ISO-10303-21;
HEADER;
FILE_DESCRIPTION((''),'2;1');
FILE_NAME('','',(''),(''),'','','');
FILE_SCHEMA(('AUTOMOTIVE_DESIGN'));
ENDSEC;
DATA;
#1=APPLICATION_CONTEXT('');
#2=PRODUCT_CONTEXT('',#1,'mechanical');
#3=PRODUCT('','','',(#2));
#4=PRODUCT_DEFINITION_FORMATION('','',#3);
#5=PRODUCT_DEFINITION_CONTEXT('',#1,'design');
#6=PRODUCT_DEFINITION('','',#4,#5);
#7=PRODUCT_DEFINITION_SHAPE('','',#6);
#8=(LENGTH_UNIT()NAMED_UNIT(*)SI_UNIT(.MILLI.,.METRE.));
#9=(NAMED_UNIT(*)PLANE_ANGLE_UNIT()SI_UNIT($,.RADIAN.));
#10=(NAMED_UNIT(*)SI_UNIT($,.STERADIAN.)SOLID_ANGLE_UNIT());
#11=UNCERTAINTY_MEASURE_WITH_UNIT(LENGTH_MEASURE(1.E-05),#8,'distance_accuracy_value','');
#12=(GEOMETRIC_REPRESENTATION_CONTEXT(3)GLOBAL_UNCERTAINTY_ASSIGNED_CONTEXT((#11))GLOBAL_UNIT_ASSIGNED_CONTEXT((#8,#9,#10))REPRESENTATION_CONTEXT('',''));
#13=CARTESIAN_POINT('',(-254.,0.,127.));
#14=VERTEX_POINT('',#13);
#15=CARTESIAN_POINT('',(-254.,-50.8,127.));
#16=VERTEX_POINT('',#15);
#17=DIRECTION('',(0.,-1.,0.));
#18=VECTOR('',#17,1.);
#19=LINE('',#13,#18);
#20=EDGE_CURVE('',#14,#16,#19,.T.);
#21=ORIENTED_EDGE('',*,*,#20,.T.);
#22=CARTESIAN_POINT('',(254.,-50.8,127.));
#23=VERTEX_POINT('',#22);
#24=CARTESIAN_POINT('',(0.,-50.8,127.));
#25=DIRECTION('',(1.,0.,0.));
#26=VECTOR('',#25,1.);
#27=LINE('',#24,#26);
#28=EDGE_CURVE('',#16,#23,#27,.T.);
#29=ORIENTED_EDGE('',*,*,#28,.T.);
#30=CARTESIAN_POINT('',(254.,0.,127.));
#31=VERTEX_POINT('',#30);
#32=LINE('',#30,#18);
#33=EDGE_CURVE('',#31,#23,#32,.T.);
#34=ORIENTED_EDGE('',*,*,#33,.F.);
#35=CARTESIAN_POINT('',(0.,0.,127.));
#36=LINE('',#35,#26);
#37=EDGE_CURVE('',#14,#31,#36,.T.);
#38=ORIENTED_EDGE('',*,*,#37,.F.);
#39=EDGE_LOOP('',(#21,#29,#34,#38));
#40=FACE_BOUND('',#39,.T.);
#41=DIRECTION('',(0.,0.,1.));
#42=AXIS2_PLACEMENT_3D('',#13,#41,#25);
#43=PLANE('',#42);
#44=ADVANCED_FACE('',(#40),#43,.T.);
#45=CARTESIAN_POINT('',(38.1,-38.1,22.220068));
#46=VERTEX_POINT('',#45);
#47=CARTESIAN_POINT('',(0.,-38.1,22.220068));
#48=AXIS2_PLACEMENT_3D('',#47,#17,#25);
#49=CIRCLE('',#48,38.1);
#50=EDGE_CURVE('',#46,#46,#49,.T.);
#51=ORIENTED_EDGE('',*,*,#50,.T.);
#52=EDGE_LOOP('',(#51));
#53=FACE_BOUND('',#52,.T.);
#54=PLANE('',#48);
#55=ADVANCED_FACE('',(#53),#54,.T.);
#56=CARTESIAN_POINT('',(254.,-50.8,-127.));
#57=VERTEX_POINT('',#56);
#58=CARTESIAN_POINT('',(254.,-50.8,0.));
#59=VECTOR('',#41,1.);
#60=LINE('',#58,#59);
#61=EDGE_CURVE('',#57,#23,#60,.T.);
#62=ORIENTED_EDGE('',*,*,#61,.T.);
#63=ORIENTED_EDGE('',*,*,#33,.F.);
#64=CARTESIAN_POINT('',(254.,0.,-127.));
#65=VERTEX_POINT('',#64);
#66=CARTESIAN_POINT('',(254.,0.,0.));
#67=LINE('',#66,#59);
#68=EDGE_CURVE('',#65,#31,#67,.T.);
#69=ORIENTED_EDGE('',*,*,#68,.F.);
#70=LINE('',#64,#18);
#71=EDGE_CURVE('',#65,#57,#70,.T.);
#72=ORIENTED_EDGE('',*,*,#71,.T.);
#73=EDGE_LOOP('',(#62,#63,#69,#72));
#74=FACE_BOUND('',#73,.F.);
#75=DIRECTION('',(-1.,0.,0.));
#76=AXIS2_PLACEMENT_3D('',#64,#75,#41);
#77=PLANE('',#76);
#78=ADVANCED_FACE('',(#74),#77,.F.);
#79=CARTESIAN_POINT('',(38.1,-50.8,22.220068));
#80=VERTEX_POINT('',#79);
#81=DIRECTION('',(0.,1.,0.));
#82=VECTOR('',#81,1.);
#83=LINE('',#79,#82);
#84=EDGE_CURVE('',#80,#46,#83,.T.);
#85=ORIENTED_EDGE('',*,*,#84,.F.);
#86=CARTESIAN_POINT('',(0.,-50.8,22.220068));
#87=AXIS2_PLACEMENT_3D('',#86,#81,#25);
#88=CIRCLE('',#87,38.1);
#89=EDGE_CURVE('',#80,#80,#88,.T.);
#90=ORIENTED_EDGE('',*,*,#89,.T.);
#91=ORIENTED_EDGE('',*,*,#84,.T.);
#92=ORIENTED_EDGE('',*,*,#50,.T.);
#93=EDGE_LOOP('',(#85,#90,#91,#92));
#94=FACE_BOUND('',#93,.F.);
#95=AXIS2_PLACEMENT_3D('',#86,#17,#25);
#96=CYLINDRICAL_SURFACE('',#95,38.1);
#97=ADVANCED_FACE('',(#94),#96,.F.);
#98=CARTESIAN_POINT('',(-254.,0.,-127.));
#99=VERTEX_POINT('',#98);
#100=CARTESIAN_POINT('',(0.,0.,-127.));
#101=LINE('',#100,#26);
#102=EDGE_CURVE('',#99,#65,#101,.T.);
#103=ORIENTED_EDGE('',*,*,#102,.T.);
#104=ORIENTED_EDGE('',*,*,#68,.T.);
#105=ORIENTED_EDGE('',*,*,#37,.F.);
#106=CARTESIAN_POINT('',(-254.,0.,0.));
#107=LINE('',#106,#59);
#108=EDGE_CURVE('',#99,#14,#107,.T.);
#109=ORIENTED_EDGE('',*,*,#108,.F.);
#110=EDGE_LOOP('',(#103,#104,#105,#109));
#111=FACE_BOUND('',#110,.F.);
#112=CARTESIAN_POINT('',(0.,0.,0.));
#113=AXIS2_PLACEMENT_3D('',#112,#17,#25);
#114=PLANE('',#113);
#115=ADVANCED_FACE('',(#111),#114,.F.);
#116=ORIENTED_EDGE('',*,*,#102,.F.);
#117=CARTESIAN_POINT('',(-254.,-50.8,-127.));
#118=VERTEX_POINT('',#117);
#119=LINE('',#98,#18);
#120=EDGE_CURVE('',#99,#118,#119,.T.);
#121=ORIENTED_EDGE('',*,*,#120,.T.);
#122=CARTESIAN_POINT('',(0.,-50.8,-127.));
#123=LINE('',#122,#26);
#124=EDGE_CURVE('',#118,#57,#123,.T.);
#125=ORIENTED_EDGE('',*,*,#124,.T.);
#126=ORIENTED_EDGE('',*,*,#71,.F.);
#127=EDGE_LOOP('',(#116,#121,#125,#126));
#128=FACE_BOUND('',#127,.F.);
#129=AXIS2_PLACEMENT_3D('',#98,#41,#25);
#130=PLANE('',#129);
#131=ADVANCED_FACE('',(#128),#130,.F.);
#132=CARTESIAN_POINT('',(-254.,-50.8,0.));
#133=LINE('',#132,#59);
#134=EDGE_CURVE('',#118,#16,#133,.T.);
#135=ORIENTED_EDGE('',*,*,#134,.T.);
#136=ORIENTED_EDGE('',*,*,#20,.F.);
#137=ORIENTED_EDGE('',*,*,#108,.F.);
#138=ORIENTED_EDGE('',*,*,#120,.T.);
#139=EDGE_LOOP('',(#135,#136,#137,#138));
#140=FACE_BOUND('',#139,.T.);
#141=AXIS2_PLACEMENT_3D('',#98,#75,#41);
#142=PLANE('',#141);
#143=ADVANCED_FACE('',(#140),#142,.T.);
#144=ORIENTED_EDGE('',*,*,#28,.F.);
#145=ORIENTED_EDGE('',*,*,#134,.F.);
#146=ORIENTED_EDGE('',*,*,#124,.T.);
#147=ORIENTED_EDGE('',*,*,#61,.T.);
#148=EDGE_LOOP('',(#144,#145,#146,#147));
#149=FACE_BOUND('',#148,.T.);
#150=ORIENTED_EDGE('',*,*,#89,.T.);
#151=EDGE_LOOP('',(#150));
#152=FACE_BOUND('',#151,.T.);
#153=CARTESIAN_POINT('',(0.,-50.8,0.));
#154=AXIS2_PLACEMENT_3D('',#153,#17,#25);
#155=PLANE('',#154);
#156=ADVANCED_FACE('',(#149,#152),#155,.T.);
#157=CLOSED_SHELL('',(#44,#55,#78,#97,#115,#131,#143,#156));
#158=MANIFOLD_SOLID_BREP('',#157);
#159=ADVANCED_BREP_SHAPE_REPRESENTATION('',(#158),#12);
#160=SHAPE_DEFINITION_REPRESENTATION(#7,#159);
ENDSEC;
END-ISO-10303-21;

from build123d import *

# Parameters (mm, degrees)
F0_W     = 508
F0_H     = 254
F1_DEPTH = 50.8
F2_R     = 38.1
F3_DEPTH = 12.7
F4_R     = 25.4
F5_DEPTH = 12.7
F6_R     = 50.631334
F7_DEPTH = 25.4


with BuildPart() as f1:
    # F0 (on Front) → F1 (new body)
    with BuildSketch(Plane.XZ):
        Rectangle(F0_W, F0_H)
    extrude(amount=F1_DEPTH)

    # F2 (on face) → F3 (cut)
    with BuildSketch(Plane.XZ.offset(50.8)):
        with Locations((0, 22.220068)):
            Circle(F2_R)
    extrude(amount=-F3_DEPTH, mode=Mode.SUBTRACT)

    # F4 (on face) → F5 (join)
    with BuildSketch(Plane.XZ.offset(50.8)):
        with Locations((-48.272954, -19.034895)):
            Circle(F4_R)
    extrude(amount=-F5_DEPTH)

    # F6 (on face) → F7 (join)
    with BuildSketch(Plane.XZ.offset(50.8)):
        with Locations((-68.167724, -34.581438)):
            Circle(F6_R)
    extrude(amount=-F7_DEPTH)


solid = f1.part
